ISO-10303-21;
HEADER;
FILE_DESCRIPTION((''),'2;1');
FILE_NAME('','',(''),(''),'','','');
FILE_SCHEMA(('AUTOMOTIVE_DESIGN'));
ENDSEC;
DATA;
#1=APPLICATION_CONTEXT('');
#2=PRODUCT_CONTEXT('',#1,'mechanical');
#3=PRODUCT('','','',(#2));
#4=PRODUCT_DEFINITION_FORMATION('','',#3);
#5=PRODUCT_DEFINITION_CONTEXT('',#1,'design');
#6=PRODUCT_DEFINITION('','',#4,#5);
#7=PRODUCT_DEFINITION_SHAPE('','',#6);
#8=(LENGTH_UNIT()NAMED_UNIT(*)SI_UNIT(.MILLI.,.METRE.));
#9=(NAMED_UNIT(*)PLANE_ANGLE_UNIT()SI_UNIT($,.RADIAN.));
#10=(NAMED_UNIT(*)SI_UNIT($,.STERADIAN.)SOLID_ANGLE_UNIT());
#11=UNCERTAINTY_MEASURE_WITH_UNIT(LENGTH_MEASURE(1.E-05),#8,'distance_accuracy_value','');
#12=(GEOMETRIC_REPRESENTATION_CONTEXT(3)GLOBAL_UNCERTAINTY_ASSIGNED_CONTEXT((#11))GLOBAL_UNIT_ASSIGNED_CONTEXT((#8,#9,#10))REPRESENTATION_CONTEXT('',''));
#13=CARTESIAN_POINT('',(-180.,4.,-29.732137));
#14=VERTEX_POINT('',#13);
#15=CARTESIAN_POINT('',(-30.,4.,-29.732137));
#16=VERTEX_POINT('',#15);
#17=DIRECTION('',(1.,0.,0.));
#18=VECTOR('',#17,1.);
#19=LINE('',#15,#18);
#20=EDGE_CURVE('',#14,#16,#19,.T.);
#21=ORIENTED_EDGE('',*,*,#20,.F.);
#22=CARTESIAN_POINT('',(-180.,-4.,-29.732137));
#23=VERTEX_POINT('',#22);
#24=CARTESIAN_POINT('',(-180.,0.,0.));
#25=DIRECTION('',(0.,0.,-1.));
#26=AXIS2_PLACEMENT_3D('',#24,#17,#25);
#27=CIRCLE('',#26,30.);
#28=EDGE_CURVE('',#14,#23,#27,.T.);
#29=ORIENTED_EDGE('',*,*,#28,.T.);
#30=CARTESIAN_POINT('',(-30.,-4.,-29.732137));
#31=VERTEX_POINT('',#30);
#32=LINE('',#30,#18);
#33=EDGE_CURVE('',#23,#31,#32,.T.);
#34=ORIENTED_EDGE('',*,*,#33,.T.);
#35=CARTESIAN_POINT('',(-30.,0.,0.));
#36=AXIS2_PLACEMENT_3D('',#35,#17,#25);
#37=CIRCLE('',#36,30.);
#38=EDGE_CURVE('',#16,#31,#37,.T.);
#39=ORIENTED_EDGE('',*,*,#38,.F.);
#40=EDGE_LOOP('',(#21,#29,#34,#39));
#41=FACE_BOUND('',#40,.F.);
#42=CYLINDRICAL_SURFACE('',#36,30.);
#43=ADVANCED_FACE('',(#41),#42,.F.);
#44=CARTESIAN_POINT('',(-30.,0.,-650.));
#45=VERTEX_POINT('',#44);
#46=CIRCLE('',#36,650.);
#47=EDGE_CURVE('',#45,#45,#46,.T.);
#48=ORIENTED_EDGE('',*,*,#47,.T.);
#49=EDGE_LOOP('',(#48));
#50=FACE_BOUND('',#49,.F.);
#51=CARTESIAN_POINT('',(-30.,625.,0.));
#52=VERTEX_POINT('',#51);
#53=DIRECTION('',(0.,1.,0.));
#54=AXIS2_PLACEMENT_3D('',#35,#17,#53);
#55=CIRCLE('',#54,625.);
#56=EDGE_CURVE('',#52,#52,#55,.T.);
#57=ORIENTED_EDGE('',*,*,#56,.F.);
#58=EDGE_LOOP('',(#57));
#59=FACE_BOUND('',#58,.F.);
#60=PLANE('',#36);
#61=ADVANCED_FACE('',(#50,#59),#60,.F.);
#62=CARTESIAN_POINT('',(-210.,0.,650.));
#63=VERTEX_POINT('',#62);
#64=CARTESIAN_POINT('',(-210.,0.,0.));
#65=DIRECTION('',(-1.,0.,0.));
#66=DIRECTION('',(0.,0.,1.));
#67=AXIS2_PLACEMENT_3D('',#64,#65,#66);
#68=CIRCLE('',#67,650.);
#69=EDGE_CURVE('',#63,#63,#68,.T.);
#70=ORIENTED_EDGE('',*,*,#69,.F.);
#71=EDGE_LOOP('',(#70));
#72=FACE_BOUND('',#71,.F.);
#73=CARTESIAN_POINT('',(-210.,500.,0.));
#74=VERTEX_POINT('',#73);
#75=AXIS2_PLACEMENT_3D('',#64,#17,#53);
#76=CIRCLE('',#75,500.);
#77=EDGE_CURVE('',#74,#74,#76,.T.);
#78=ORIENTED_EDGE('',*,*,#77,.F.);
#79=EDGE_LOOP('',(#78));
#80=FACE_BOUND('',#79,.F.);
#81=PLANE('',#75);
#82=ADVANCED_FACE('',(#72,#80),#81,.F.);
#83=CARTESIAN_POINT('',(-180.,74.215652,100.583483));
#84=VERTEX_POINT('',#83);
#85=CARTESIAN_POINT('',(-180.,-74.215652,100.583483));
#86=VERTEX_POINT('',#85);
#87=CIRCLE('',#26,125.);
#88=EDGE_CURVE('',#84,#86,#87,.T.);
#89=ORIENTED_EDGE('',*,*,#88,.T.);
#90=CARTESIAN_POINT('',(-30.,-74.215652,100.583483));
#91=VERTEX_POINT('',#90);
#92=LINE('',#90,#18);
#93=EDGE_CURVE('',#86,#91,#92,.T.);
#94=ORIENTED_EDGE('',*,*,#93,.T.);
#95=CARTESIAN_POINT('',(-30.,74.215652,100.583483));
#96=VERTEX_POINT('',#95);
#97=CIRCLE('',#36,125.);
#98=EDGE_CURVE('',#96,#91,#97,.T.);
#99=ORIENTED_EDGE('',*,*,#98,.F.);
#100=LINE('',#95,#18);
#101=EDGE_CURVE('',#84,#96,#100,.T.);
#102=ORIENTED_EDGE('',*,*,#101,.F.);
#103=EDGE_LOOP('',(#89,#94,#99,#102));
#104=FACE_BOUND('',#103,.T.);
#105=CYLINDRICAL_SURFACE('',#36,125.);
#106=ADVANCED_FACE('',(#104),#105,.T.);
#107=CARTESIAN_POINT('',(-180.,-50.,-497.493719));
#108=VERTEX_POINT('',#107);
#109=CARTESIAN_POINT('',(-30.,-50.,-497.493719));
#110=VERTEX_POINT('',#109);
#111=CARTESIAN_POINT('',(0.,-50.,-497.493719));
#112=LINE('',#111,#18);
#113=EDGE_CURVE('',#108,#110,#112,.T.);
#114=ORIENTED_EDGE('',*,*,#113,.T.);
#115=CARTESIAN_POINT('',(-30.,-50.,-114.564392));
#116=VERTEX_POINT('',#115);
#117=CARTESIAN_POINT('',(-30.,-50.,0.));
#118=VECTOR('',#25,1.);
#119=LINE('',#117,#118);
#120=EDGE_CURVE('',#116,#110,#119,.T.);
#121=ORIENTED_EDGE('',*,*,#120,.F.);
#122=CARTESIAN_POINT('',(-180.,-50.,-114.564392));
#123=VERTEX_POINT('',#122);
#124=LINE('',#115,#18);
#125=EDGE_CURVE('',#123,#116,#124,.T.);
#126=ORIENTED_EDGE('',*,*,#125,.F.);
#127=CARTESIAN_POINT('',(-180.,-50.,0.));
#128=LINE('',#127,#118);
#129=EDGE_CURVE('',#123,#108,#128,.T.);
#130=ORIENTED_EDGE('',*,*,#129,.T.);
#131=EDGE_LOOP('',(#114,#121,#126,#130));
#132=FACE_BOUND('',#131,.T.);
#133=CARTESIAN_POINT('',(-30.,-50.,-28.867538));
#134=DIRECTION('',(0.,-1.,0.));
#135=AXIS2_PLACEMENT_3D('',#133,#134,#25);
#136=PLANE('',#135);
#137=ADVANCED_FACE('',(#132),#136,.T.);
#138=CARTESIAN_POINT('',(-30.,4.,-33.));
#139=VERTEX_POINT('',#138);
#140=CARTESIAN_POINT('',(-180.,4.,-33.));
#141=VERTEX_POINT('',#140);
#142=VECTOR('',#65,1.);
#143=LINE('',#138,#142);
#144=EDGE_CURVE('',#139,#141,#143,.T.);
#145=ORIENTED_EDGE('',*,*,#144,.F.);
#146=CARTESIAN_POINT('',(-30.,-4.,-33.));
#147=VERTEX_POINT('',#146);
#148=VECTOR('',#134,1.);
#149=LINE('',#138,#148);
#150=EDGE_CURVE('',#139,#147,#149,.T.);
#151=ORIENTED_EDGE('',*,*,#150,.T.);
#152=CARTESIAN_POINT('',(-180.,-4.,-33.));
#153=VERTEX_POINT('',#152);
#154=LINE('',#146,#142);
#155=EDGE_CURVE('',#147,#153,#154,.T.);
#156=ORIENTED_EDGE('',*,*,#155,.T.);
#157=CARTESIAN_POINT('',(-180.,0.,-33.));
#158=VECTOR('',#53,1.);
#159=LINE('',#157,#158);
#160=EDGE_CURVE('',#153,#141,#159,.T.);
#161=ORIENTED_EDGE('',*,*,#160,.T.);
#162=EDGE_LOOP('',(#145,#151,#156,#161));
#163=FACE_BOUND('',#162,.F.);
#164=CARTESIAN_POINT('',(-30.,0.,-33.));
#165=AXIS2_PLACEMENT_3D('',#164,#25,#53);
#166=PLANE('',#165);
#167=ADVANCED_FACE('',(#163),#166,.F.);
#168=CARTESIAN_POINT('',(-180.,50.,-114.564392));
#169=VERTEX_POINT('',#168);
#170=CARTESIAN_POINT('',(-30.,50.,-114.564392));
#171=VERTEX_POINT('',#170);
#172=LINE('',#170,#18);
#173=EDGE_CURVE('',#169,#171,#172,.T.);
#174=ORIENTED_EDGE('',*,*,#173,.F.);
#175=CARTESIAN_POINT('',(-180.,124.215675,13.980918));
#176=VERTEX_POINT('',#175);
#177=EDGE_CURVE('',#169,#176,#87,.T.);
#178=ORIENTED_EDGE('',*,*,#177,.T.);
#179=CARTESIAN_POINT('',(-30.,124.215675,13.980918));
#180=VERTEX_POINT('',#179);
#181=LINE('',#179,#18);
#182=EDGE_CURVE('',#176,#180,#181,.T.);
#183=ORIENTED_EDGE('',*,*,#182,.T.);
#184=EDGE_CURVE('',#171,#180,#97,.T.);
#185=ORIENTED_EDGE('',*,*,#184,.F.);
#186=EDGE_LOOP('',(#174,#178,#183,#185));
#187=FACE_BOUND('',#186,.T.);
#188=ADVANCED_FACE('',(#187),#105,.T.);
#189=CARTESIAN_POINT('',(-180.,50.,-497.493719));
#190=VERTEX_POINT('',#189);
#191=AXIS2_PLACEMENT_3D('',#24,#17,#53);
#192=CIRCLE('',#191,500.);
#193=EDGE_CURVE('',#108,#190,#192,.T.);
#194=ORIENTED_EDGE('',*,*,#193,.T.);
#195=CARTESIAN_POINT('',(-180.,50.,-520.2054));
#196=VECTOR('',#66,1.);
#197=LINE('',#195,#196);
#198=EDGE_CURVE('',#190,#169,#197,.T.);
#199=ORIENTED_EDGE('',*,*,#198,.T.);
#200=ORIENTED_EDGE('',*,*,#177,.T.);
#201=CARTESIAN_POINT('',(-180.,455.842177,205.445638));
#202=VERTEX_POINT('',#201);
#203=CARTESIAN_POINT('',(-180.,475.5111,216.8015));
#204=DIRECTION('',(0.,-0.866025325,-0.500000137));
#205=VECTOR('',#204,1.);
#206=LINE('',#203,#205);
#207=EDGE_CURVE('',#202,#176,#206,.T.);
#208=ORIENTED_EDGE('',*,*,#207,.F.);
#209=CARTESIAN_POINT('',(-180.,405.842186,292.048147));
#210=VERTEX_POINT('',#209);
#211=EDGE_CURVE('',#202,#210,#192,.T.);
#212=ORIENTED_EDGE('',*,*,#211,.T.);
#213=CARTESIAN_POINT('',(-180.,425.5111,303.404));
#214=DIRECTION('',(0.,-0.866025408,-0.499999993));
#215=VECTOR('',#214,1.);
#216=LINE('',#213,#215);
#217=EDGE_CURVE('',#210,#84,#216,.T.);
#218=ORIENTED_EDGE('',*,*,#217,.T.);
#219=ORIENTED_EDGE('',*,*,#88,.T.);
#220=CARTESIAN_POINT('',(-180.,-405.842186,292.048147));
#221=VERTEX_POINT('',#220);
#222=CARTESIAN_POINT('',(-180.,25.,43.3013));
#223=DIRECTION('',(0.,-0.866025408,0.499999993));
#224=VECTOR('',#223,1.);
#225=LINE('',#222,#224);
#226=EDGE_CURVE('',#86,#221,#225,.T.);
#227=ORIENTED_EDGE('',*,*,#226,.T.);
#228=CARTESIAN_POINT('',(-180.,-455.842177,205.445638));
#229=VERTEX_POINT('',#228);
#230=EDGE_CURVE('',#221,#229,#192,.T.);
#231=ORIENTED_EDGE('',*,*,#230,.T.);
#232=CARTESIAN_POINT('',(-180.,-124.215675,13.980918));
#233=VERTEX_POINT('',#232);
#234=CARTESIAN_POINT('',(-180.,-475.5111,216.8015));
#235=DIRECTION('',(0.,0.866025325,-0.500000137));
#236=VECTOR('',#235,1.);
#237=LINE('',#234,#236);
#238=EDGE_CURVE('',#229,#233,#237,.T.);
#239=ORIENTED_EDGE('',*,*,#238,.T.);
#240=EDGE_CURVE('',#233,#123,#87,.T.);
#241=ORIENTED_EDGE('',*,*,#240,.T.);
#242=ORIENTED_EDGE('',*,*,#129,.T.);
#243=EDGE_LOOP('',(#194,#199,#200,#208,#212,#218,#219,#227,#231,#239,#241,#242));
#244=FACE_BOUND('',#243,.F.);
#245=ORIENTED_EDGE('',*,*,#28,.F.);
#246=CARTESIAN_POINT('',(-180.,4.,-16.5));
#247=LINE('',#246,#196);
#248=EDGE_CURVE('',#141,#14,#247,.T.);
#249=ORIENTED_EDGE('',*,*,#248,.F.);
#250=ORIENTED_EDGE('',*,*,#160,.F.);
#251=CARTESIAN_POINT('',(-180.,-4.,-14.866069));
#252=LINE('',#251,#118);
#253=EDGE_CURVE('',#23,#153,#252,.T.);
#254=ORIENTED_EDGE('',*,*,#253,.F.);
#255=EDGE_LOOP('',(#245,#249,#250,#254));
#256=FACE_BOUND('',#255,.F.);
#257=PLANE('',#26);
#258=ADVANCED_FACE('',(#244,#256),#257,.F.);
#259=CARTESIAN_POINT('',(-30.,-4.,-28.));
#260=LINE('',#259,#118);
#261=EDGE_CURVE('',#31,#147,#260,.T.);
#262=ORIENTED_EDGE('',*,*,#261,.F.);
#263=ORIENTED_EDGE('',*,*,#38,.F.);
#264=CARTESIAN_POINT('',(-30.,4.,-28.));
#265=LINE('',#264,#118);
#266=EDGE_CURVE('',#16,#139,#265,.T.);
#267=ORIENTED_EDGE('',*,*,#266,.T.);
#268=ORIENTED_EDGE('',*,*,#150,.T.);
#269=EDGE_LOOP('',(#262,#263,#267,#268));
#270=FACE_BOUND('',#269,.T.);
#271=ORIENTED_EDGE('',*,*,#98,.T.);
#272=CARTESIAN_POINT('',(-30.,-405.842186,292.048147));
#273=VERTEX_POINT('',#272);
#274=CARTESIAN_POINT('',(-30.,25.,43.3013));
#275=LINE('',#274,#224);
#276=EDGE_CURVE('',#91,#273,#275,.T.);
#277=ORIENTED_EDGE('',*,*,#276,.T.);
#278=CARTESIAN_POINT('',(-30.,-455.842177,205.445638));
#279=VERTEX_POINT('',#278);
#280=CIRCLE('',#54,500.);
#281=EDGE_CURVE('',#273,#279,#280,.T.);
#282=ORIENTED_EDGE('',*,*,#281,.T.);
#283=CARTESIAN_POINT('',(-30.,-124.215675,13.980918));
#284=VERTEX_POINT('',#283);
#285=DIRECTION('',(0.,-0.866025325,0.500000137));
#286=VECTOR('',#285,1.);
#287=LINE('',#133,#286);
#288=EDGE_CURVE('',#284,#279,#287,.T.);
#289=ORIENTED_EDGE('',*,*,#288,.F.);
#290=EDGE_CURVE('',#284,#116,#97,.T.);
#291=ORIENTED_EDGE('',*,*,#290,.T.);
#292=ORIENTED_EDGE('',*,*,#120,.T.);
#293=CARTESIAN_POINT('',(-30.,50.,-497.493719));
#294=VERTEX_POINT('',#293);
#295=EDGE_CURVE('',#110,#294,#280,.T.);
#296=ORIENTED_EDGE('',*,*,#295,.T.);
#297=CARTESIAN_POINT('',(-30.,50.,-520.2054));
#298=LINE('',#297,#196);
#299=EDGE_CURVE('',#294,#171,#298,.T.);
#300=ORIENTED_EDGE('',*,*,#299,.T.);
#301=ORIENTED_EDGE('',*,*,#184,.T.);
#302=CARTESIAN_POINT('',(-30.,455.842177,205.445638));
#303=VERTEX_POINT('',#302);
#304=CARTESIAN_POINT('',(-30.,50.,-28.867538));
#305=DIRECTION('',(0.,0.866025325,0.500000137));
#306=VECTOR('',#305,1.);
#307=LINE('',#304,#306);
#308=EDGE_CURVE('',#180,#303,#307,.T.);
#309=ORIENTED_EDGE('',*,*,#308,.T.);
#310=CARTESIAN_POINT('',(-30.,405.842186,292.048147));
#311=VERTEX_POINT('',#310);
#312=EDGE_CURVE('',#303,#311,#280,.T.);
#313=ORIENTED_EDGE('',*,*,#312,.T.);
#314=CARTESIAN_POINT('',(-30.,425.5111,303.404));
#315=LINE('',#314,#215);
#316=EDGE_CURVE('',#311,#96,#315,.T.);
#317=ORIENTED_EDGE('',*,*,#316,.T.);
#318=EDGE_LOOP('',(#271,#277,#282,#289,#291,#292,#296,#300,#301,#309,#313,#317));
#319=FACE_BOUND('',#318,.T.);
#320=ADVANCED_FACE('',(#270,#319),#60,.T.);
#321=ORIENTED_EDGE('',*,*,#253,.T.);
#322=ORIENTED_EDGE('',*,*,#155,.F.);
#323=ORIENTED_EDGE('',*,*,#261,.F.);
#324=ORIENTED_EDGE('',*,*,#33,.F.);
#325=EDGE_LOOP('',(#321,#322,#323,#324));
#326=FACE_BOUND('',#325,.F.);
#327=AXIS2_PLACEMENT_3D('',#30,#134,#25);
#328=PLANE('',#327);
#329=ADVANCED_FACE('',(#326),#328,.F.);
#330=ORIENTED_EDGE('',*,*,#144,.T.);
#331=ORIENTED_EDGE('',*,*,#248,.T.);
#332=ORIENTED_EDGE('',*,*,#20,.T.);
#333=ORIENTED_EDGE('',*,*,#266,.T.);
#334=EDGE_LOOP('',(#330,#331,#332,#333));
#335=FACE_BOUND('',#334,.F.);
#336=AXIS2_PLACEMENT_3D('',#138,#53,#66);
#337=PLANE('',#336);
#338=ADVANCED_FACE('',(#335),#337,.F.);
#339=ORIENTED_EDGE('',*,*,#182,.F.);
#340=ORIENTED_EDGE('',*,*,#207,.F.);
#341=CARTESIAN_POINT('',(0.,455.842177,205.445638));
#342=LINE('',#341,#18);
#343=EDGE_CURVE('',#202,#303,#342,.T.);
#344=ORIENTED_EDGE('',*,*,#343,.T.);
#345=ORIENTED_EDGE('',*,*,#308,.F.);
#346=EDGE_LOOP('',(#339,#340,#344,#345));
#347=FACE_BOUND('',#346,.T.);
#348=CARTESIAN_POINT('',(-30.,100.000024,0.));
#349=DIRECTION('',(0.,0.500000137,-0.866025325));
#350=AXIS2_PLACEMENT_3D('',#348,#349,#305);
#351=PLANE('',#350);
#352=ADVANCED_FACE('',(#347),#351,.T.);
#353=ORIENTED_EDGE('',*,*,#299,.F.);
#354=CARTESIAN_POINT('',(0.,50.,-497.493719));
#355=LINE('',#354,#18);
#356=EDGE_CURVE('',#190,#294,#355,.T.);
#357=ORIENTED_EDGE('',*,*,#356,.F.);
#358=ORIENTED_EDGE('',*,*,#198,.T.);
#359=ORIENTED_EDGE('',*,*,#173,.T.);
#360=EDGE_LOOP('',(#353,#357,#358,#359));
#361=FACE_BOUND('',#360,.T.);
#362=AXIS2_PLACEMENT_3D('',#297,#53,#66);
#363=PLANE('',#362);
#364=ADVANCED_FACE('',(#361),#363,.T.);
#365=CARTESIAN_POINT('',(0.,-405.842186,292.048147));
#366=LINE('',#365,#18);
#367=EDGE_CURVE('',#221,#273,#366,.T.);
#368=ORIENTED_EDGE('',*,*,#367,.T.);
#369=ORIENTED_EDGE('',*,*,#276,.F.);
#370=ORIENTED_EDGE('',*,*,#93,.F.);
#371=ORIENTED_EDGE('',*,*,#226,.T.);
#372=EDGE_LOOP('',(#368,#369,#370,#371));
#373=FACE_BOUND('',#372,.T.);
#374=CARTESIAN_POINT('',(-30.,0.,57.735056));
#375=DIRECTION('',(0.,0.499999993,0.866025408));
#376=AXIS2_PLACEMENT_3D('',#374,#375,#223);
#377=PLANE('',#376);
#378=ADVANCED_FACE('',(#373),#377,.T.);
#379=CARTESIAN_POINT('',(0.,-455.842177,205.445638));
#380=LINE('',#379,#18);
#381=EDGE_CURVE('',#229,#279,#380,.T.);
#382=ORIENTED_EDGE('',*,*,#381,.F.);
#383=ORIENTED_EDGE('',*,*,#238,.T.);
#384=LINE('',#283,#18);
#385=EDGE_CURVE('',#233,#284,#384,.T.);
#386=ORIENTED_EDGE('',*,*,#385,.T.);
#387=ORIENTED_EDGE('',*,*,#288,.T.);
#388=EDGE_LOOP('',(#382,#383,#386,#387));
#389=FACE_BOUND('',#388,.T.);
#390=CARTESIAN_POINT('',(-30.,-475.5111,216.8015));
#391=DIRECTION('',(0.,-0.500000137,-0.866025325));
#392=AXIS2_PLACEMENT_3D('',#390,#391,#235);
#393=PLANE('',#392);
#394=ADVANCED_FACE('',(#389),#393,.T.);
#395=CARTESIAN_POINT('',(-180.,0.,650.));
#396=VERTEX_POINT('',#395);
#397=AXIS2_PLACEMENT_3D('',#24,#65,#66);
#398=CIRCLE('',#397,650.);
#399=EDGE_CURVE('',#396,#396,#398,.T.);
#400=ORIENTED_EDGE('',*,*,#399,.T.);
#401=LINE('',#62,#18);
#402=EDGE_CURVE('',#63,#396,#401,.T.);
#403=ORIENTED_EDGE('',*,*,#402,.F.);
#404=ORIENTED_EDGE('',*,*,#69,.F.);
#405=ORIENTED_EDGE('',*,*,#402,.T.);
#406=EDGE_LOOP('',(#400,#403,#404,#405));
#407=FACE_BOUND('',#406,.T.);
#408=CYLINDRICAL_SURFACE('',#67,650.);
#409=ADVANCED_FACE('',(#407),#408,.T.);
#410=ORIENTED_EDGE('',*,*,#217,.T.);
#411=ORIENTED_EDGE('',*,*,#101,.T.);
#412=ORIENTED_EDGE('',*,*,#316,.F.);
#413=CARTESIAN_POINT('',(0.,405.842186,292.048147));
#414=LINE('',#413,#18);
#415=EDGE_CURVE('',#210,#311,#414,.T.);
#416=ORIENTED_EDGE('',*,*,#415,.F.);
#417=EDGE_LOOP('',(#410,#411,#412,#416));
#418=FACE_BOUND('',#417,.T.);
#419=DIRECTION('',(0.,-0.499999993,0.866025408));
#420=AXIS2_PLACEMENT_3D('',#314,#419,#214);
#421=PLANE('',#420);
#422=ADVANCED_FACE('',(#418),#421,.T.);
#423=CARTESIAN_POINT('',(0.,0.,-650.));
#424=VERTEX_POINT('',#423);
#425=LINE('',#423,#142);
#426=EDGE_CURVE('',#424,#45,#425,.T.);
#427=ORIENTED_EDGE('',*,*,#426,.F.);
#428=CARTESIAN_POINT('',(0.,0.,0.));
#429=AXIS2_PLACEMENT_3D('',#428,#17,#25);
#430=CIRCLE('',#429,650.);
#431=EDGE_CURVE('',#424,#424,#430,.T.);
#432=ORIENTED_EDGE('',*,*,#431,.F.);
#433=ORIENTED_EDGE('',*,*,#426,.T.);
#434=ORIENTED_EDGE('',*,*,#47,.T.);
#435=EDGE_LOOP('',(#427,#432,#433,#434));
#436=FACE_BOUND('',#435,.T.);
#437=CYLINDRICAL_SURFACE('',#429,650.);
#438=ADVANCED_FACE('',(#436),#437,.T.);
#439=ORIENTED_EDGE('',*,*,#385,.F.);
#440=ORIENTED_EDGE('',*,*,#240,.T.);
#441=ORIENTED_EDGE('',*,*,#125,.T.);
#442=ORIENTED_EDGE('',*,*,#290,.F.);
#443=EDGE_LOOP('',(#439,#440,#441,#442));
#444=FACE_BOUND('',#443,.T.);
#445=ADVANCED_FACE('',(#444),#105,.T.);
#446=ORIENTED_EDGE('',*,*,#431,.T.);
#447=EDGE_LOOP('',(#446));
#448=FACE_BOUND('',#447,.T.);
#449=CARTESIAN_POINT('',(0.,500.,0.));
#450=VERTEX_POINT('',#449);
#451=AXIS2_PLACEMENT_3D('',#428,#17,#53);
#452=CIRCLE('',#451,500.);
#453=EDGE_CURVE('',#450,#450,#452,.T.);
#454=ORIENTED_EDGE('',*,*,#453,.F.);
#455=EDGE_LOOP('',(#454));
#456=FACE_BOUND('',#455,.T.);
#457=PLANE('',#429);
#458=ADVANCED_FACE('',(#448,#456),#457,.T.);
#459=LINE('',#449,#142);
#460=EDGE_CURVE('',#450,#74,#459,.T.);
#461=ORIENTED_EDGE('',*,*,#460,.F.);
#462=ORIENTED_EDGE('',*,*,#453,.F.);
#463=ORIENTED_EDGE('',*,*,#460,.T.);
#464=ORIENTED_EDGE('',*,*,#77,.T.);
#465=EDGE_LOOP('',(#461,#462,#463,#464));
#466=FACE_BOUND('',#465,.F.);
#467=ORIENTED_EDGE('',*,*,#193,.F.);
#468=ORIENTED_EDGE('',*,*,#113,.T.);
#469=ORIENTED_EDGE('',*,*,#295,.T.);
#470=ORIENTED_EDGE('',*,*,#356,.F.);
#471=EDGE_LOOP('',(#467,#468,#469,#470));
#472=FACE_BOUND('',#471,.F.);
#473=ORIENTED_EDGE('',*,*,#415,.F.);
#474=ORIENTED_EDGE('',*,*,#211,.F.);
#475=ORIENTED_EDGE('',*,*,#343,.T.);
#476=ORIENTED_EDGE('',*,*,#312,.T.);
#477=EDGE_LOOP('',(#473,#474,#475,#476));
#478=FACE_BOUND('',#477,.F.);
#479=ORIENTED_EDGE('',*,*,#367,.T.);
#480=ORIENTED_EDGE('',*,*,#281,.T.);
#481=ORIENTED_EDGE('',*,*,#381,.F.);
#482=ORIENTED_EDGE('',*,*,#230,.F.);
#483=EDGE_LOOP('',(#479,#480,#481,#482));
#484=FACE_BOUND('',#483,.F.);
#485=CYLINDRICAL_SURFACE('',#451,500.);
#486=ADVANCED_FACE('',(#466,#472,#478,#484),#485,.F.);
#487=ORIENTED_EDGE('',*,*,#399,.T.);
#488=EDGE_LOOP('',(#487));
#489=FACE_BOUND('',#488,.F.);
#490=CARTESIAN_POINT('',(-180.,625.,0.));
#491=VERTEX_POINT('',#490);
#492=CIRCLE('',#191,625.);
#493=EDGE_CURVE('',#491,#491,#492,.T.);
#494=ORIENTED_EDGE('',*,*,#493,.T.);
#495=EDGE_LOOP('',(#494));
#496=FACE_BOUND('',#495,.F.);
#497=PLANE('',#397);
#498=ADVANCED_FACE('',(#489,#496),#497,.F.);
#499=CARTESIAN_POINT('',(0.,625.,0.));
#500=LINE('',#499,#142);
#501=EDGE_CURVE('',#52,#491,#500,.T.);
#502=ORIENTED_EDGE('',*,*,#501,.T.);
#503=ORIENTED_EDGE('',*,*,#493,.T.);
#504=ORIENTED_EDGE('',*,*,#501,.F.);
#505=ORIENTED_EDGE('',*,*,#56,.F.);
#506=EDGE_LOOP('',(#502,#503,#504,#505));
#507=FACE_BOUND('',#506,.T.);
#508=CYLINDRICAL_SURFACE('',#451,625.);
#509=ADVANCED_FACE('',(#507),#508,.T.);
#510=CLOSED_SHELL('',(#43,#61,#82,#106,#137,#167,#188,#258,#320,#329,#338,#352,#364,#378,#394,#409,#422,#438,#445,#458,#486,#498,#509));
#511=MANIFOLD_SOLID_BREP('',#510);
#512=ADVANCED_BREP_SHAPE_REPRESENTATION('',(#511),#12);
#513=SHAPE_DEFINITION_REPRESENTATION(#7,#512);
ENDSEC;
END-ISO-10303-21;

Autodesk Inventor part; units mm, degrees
ref_plane "YZ Plane" through (0, 0, 0) normal (1, 0, 0) x (0, 1, 0)
ref_plane "XZ Plane" through (0, 0, 0) normal (0, 1, 0) x (-1, 0, 0)
sketch "Sketch1" plane through (0, 0, 0) normal (1, 0, 0) x (0, 1, 0)
  circle A0 centre (0, 0) radius 500
  circle A1 centre (0, 0) radius 625
  dimension "d0" = 1000
  dimension "d1" = 1250
extrude "Extrusion1" add sketch "Sketch1" against normal blind 210
sketch "Sketch2" plane through (0, 0, 0) normal (1, 0, 0) x (0, 0, -1)
  circle A0 centre (0, 0) radius 650
  circle A1 centre (0, 0) radius 625 projected
  dimension "d4" = 1300
sketch "Sketch3" plane through (-210, 0, 0) normal (-1, 0, 0) x (0, 0, 1)
  circle A0 centre (0, 0) radius 650
  circle A1 centre (0, 0) radius 625 projected
  dimension "d5" = 1300
extrude "Extrusion2" add sketch "Sketch3" against normal blind 30
extrude "Extrusion3" add sketch "Sketch2" against normal blind 30
ref_plane "Work Plane1" through (-30, 0, 0) normal (1, 0, 0) x (0, 0, -1)
sketch "Sketch4" plane through (-30, 0, 0) normal (1, 0, 0) x (0, 0, -1)
  circle A0 centre (0, 0) radius 125
  dimension "d11" = 250
extrude "Extrusion4" add sketch "Sketch4" against normal blind 150
sketch "Sketch5" plane through (-30, 0, 0) normal (1, 0, 0) x (0, 0, -1)
  line L0 (0, 0) -> (469.0204, 0) construction
  line L1 (0, 0) -> (-234.5102, 406.1836) construction
  line L2 (0, 0) -> (-234.5102, -406.1836) construction
  line L3 (0, -910) -> (0, 910) projected
  line L4 (520.2054, 50) -> (0, 50)
  line L5 (0, 50) -> (0, -50)
  line L6 (0, -50) -> (520.2054, -50)
  line L7 (520.2054, -50) -> (520.2054, 50)
  line L8 (-216.8015, 475.5111) -> (-303.404, 425.5111)
  line L9 (43.3013, 25) -> (-216.8015, 475.5111)
  line L10 (-303.404, 425.5111) -> (-43.3013, -25)
  line L11 (-43.3013, -25) -> (43.3013, 25)
  line L12 (-303.404, -425.5111) -> (-216.8015, -475.5111)
  line L13 (-43.3013, 25) -> (-303.404, -425.5111)
  line L14 (-216.8015, -475.5111) -> (43.3013, -25)
  line L15 (43.3013, -25) -> (-43.3013, 25)
  point P0 (234.5102, 0)
  point P1 (0, 0)
  point P2 (0, 0)
  point P3 (0, 0)
  point P4 (28.8675, 50)
  point P5 (-57.735, 0)
  point P6 (28.8675, -50)
  dimension "d16" = 360
  dimension "d18" = 90
  dimension "d19" = 100
  dimension "d20" = 50
  dimension "d21" = 0
  dimension "d24" = 360
extrude "Extrusion5" add sketch "Sketch5" against normal blind 150
sketch "Sketch6" plane through (-30, 0, 0) normal (1, 0, 0) x (0, 0, -1)
  circle A0 centre (0, 0) radius 30
  dimension "d28" = 60
extrude "Extrusion6" cut sketch "Sketch6" against normal through all
sketch "Sketch7" plane through (-30, 0, 0) normal (1, 0, 0) x (0, 0, -1)
  line L0 (33, 4) -> (28, 4)
  line L1 (28, 4) -> (28, -4)
  line L2 (28, -4) -> (33, -4)
  line L3 (33, -4) -> (33, 4)
  line L4 (910, 0) -> (-910, 0) projected
  circle A0 centre (0, 0) radius 30 projected
  point P0 (33, 0)
  dimension "d31" = 8
  dimension "d32" = 5
  dimension "d33" = 4
  dimension "d34" = 33
extrude "Extrusion7" cut sketch "Sketch7" against normal through all contours L3 L4 A0 L0 | A0 L4 L1 L0 | L3 L2 A0 L4 | A0 L2 L1 L4 picked at (28.627, 2.2237) picked at (28.627, -2.2237)
properties part number "Wheel1"
